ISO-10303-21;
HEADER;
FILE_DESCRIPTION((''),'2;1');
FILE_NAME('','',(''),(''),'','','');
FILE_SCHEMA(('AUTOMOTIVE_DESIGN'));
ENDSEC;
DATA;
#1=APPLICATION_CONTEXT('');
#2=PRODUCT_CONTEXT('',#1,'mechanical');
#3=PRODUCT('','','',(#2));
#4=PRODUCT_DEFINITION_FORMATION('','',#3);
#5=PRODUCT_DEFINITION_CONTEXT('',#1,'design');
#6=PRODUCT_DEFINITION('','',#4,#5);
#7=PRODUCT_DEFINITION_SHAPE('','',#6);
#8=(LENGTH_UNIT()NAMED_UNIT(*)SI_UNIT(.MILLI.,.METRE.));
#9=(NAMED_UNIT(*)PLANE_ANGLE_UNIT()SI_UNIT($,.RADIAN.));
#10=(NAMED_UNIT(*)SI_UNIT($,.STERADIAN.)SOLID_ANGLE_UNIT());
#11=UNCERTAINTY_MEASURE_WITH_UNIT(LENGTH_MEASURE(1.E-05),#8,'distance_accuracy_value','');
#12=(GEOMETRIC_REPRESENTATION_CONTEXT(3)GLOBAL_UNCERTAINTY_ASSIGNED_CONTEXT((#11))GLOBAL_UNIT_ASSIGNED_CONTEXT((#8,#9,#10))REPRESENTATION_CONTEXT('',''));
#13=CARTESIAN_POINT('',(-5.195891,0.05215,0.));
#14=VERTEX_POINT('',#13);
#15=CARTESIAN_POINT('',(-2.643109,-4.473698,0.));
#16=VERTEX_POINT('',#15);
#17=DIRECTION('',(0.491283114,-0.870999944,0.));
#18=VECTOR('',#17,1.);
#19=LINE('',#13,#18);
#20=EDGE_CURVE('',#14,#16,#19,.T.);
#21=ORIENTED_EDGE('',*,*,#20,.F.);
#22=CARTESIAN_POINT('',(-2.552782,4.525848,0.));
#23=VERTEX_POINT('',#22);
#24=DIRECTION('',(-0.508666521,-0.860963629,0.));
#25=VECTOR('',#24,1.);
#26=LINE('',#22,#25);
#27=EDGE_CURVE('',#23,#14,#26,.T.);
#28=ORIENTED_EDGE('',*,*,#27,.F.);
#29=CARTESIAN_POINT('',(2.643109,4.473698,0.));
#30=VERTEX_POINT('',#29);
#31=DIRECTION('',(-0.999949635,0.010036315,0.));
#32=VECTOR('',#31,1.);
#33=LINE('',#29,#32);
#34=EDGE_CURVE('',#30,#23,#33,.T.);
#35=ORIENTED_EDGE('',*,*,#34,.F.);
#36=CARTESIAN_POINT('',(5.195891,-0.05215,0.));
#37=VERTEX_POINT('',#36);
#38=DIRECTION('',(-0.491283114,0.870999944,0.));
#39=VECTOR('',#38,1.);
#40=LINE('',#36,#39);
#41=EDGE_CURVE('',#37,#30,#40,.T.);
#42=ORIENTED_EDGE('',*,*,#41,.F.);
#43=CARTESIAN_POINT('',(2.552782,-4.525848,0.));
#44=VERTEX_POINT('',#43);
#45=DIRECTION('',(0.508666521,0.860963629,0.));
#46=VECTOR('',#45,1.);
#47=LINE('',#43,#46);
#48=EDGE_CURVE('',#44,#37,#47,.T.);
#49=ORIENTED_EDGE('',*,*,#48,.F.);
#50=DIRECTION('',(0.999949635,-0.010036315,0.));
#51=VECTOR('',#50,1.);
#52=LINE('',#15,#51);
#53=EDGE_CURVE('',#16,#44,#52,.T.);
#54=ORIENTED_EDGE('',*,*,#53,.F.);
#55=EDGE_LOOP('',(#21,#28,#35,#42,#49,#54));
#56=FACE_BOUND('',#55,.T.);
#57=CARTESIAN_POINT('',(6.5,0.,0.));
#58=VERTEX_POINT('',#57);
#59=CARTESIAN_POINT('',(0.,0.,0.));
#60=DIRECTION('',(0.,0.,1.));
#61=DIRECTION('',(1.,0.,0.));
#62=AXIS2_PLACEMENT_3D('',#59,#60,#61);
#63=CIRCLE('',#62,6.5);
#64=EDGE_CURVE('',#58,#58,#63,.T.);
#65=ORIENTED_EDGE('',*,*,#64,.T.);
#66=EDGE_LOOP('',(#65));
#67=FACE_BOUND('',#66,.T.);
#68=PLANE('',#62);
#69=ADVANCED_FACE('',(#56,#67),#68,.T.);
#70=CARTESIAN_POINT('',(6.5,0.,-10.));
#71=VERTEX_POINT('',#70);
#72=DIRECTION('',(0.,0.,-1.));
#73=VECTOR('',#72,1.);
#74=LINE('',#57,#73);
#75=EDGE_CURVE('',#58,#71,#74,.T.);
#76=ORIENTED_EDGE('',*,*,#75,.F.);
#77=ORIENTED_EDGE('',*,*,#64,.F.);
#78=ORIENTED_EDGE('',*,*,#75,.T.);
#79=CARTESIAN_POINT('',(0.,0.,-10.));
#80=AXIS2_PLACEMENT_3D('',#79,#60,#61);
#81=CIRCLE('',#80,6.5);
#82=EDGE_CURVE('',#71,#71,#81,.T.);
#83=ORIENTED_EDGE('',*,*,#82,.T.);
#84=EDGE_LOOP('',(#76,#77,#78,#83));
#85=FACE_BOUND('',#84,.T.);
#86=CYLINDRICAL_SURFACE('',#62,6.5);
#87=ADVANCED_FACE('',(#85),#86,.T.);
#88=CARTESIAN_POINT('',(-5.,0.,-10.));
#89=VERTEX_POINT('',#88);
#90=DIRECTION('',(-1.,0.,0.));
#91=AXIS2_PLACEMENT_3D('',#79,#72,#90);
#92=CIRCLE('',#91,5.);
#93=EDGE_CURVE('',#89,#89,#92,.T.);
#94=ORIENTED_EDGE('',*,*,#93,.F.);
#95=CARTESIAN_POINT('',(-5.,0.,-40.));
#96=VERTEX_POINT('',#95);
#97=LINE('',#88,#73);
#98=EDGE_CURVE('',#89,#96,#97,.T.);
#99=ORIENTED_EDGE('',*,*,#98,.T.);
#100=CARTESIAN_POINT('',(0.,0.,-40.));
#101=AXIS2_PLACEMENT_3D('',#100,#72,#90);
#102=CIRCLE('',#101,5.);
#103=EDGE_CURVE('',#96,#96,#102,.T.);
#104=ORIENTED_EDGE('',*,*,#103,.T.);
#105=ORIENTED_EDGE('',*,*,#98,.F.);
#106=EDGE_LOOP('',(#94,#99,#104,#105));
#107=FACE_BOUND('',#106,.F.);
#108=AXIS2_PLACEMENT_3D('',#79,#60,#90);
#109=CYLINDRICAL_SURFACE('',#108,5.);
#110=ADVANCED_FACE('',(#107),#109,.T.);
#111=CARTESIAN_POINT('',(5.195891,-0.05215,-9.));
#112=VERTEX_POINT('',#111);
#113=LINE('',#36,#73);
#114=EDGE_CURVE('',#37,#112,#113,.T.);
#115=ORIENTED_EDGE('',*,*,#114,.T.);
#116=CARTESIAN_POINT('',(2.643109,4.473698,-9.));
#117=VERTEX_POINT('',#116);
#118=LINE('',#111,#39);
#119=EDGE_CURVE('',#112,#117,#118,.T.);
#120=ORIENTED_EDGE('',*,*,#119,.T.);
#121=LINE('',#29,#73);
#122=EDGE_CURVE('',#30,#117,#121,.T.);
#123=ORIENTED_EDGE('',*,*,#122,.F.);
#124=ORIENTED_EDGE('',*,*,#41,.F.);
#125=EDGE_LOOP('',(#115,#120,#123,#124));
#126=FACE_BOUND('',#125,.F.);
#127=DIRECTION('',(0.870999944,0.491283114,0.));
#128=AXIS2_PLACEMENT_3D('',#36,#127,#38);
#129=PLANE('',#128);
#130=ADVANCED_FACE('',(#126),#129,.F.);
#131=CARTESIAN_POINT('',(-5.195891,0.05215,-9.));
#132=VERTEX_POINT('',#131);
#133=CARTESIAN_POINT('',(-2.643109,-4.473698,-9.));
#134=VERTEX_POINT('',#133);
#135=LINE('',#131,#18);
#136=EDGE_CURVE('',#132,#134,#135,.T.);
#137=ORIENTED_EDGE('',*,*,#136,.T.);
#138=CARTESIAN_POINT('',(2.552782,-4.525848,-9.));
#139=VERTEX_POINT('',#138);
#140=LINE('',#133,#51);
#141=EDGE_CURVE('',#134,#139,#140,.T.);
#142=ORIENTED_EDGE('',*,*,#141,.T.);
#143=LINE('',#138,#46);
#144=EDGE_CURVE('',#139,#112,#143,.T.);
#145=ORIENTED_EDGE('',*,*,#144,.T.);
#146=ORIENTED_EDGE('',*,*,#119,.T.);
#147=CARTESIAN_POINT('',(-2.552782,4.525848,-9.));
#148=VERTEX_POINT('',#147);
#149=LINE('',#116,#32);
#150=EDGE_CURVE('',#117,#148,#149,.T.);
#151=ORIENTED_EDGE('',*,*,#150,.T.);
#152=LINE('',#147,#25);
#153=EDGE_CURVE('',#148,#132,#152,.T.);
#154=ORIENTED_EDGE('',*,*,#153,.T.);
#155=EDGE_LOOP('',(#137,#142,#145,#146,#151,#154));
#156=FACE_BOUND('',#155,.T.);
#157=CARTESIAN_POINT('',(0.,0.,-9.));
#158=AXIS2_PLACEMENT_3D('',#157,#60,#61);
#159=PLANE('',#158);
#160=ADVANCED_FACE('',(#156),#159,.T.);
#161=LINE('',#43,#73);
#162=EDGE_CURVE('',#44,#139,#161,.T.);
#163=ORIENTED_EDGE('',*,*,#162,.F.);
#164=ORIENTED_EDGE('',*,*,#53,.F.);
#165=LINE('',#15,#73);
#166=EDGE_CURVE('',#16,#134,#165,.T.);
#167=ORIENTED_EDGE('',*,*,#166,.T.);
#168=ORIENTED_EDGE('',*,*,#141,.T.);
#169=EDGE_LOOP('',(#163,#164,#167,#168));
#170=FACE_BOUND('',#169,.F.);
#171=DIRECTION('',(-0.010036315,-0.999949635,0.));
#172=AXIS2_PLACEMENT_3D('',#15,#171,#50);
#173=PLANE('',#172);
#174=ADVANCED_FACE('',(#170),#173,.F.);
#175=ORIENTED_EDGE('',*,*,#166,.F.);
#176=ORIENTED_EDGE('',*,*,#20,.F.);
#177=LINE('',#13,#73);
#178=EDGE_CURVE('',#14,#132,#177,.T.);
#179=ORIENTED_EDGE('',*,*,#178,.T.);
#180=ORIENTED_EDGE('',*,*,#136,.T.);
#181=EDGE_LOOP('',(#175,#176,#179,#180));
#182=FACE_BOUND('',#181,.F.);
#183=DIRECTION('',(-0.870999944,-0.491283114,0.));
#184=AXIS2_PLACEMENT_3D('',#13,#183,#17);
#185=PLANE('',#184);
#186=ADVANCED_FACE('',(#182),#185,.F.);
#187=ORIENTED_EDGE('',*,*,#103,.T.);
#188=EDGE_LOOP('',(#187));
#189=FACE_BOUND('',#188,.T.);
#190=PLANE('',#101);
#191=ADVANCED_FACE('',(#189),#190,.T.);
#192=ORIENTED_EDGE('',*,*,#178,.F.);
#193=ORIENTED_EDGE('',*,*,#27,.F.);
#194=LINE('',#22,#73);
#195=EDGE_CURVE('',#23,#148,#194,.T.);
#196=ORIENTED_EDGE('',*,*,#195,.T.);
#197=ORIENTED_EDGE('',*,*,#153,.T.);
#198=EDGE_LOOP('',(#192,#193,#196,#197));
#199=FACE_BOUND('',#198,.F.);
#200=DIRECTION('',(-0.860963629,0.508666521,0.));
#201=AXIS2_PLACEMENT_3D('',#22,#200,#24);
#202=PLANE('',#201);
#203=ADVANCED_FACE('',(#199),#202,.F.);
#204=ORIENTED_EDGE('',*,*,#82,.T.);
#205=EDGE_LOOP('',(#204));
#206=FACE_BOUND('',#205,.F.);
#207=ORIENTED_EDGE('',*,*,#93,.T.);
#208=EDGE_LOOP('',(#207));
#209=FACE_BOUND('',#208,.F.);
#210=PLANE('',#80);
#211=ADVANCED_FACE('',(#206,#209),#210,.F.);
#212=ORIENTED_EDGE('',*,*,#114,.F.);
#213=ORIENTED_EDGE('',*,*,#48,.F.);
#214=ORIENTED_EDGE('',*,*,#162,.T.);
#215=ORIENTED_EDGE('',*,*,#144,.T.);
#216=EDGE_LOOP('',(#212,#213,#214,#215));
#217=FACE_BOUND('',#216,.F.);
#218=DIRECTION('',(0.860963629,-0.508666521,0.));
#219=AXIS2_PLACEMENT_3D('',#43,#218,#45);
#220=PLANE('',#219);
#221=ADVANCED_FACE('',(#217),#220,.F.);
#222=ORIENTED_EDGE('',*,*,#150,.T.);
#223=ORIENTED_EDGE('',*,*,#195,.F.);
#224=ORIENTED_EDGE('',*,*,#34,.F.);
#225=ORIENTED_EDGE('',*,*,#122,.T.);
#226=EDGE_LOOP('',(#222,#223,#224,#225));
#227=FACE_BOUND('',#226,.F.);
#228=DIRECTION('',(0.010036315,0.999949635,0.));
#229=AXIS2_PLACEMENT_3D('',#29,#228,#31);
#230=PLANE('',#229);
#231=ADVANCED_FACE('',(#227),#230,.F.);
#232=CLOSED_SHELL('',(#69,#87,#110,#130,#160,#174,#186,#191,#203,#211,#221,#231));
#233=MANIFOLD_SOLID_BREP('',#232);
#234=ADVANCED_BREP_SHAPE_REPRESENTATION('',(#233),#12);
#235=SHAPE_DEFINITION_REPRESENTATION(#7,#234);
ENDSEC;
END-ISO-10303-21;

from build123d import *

# Parameters (mm, degrees)
SKETCH1_R           = 6.5
BOSS_EXTRUDE1_DEPTH = 10
SKETCH2_R           = 5
BOSS_EXTRUDE2_DEPTH = 30
CUT_EXTRUDE1_DEPTH  = 9


with BuildPart() as part:
    # Sketch1 → Boss-Extrude1 (new body)
    with BuildSketch(Plane.XY):
        Circle(SKETCH1_R)
    extrude(amount=-BOSS_EXTRUDE1_DEPTH)

    # Sketch2 → Boss-Extrude2 (add)
    with BuildSketch(Plane(origin=(0, 0, -10), x_dir=(-1, 0, 0), z_dir=(0, 0, -1))):
        Circle(SKETCH2_R)
    extrude(amount=BOSS_EXTRUDE2_DEPTH)

    # Sketch3 → Cut-Extrude1 (cut)
    with BuildSketch(Plane.XY):
        Polygon((-2.552781944, 4.525848467), (-5.195890718, 0.052150219), (-2.643108774, -4.473698247), (2.552781944, -4.525848467), (5.195890718, -0.052150219), (2.643108774, 4.473698247), align=None)
    extrude(amount=-CUT_EXTRUDE1_DEPTH, mode=Mode.SUBTRACT)


solid = part.part
